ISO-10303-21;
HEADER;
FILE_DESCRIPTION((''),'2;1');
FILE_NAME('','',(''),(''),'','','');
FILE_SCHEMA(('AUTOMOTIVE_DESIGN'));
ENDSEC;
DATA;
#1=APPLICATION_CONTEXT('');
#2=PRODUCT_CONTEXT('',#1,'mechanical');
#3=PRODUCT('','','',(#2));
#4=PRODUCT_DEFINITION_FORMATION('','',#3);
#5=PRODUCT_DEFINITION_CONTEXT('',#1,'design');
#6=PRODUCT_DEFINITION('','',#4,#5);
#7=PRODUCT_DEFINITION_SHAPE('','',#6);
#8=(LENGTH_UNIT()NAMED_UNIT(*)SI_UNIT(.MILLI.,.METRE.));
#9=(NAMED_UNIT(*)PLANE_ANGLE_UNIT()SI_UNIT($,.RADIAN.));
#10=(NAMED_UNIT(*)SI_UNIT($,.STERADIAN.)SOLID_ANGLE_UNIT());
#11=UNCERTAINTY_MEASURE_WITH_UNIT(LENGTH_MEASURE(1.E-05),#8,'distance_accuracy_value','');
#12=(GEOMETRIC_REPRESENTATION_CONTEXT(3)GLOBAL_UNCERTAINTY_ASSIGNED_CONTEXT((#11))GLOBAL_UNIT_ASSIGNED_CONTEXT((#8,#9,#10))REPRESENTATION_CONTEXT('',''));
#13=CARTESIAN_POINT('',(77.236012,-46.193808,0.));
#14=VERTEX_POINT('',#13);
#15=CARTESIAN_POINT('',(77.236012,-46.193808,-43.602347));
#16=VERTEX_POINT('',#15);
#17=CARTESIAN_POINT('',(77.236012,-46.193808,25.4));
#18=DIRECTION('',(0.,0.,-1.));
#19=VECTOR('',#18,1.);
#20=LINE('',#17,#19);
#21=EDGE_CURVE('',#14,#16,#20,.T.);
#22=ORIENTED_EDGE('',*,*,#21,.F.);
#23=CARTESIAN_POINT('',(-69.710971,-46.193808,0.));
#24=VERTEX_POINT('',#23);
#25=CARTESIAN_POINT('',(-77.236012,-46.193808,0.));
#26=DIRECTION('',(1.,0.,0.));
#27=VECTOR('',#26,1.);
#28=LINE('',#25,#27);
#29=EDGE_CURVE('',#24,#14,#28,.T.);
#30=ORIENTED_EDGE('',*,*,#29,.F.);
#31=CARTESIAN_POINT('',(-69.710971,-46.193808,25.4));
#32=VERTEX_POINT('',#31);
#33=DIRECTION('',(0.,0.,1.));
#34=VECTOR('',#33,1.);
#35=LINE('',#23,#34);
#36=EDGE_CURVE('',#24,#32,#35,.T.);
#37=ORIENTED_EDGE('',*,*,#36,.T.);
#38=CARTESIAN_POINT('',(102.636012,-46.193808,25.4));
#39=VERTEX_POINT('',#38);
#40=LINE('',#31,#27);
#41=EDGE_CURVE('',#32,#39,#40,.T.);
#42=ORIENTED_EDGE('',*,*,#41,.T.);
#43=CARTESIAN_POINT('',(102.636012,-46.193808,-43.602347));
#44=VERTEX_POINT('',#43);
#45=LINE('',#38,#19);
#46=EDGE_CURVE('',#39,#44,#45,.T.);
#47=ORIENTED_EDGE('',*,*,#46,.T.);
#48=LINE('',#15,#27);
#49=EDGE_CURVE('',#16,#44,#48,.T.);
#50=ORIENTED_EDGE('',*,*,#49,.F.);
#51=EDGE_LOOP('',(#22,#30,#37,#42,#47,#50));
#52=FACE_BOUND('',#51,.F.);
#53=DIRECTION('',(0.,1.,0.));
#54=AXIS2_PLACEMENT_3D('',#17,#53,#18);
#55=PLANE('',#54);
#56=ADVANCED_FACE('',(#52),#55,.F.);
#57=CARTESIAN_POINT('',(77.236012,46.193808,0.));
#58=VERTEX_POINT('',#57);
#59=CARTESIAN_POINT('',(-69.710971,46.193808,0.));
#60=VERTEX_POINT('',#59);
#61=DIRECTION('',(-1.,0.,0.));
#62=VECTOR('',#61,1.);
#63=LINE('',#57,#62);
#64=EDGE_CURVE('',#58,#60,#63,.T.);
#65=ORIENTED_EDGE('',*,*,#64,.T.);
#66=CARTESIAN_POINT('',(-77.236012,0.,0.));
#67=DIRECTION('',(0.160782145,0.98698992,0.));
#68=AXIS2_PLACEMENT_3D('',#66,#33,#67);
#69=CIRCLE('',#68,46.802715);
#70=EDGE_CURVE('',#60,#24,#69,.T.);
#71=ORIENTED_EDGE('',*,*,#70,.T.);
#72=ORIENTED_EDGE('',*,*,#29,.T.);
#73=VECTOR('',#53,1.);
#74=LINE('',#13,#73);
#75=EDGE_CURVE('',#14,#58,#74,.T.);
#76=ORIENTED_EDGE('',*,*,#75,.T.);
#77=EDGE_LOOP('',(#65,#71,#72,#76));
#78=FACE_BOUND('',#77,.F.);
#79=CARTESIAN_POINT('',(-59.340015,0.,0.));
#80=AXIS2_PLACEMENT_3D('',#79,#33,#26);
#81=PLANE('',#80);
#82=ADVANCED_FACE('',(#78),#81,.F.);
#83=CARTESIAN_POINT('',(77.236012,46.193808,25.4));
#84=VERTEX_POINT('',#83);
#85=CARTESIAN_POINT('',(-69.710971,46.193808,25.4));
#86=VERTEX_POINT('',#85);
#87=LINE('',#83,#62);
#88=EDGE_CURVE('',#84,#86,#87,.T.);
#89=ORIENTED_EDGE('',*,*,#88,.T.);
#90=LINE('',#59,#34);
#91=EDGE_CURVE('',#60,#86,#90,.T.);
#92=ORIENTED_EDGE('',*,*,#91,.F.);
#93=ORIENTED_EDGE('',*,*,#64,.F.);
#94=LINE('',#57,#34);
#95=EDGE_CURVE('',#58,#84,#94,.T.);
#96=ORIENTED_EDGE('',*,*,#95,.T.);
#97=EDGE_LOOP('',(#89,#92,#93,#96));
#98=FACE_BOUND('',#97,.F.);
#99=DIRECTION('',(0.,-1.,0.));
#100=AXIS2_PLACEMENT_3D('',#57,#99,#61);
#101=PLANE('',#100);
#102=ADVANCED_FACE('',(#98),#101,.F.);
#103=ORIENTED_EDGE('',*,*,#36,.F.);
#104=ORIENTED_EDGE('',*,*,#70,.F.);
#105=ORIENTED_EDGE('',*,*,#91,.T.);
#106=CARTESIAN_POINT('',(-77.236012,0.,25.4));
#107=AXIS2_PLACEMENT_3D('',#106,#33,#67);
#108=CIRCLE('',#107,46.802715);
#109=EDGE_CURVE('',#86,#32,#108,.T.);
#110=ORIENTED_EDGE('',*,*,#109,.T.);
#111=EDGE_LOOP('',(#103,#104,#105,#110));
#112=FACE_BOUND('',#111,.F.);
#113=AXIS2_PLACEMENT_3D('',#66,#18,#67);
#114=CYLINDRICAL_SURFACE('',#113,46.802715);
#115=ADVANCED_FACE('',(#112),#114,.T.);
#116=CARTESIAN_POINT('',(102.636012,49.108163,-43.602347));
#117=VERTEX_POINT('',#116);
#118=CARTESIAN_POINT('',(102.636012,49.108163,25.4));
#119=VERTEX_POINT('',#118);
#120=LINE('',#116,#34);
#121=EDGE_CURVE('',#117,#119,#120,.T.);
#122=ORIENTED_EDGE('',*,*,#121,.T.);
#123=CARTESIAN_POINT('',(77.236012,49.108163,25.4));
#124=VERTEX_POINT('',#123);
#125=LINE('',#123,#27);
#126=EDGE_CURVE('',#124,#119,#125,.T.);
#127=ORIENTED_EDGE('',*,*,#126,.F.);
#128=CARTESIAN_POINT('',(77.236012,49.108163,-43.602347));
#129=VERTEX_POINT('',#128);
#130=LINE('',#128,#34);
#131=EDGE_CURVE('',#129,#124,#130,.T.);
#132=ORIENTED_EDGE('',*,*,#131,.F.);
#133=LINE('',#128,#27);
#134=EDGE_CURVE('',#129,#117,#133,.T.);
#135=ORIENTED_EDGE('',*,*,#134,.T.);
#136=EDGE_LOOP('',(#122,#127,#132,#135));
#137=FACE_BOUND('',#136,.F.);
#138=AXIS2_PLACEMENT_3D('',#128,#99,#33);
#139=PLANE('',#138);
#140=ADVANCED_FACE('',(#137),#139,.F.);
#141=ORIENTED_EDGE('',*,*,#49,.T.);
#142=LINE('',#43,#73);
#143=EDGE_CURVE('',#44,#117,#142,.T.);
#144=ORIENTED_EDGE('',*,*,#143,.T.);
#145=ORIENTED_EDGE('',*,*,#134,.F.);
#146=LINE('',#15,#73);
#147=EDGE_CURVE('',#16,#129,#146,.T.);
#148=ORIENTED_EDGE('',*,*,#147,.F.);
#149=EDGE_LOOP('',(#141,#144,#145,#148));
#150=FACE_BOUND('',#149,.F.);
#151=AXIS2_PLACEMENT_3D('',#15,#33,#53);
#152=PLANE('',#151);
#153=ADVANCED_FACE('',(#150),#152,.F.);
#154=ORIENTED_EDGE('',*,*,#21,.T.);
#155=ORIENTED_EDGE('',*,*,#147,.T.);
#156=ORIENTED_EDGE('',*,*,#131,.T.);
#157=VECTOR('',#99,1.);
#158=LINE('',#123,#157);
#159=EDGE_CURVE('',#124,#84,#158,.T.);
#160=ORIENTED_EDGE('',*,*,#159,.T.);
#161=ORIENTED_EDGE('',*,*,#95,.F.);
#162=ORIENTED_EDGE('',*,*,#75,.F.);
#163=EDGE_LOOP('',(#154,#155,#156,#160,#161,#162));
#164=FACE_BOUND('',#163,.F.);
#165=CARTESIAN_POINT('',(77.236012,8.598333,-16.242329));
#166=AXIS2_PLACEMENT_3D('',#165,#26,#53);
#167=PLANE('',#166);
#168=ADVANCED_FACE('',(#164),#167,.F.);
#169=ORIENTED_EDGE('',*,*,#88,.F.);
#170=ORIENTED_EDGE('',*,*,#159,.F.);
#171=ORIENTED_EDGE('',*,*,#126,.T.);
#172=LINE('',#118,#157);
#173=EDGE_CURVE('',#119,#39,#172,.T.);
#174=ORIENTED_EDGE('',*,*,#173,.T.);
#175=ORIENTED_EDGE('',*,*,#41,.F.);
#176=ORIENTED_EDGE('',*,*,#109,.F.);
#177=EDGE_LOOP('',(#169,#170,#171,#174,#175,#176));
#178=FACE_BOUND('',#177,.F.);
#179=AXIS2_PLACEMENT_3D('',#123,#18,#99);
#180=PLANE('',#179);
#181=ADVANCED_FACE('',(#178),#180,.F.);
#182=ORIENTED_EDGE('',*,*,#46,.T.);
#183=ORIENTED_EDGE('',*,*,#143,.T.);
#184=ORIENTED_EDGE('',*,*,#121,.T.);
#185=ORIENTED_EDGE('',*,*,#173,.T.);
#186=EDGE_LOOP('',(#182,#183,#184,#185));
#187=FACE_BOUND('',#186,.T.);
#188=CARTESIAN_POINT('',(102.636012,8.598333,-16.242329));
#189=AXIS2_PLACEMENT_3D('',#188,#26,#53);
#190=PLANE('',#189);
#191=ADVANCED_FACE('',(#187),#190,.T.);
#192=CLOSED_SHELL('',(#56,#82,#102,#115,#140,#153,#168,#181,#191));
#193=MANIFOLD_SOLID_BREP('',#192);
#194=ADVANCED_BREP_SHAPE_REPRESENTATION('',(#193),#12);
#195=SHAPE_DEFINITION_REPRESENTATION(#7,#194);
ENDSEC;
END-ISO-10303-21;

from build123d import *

# Parameters (mm, degrees)
F1_DEPTH = 25.4
F2_W     = 92.387616
F2_H     = 25.4
F3_DEPTH = 25.4


with BuildPart() as f1:
    # F0 (on Top) → F1 (new body)
    with BuildSketch(Plane.XY):
        with BuildLine():
            Line((-77.236012, -46.193808), (-69.710971, -46.193808))
            ThreePointArc((-69.710971, -46.193808), (-41.580111, -30.317502), (-30.433296, 0))
            ThreePointArc((-30.433296, 0), (-41.580111, 30.317502), (-69.710971, 46.193808))
            Line((-69.710971, 46.193808), (-77.236012, 46.193808))
            Line((-77.236012, 46.193808), (-77.236012, -46.193808))
        make_face()
        with BuildLine():
            Line((-69.710971, -46.193808), (77.236012, -46.193808))
            Line((77.236012, -46.193808), (77.236012, 46.193808))
            Line((77.236012, 46.193808), (-69.710971, 46.193808))
            ThreePointArc((-69.710971, 46.193808), (-41.580111, 30.317502), (-30.433296, 0))
            ThreePointArc((-30.433296, 0), (-41.580111, -30.317502), (-69.710971, -46.193808))
        make_face()
        with BuildLine():
            ThreePointArc((-69.710971, 46.193808), (-124.038727, 0), (-69.710971, -46.193808))
            Line((-69.710971, -46.193808), (-77.236012, -46.193808))
            Line((-77.236012, -46.193808), (-77.236012, 46.193808))
            Line((-77.236012, 46.193808), (-69.710971, 46.193808))
        make_face()
    extrude(amount=F1_DEPTH)

    # F2 (on face) → F3 (join)
    with BuildSketch(Plane.YZ.offset(77.236012)):
        Polygon((49.108163, 25.4), (46.193808, 25.4), (46.193808, 0), (-46.193808, 0), (-46.193808, -43.602347), (49.108163, -43.602347), align=None)
        with Locations((0, 12.7)):
            Rectangle(F2_W, F2_H)
    extrude(amount=F3_DEPTH)


solid = f1.part
